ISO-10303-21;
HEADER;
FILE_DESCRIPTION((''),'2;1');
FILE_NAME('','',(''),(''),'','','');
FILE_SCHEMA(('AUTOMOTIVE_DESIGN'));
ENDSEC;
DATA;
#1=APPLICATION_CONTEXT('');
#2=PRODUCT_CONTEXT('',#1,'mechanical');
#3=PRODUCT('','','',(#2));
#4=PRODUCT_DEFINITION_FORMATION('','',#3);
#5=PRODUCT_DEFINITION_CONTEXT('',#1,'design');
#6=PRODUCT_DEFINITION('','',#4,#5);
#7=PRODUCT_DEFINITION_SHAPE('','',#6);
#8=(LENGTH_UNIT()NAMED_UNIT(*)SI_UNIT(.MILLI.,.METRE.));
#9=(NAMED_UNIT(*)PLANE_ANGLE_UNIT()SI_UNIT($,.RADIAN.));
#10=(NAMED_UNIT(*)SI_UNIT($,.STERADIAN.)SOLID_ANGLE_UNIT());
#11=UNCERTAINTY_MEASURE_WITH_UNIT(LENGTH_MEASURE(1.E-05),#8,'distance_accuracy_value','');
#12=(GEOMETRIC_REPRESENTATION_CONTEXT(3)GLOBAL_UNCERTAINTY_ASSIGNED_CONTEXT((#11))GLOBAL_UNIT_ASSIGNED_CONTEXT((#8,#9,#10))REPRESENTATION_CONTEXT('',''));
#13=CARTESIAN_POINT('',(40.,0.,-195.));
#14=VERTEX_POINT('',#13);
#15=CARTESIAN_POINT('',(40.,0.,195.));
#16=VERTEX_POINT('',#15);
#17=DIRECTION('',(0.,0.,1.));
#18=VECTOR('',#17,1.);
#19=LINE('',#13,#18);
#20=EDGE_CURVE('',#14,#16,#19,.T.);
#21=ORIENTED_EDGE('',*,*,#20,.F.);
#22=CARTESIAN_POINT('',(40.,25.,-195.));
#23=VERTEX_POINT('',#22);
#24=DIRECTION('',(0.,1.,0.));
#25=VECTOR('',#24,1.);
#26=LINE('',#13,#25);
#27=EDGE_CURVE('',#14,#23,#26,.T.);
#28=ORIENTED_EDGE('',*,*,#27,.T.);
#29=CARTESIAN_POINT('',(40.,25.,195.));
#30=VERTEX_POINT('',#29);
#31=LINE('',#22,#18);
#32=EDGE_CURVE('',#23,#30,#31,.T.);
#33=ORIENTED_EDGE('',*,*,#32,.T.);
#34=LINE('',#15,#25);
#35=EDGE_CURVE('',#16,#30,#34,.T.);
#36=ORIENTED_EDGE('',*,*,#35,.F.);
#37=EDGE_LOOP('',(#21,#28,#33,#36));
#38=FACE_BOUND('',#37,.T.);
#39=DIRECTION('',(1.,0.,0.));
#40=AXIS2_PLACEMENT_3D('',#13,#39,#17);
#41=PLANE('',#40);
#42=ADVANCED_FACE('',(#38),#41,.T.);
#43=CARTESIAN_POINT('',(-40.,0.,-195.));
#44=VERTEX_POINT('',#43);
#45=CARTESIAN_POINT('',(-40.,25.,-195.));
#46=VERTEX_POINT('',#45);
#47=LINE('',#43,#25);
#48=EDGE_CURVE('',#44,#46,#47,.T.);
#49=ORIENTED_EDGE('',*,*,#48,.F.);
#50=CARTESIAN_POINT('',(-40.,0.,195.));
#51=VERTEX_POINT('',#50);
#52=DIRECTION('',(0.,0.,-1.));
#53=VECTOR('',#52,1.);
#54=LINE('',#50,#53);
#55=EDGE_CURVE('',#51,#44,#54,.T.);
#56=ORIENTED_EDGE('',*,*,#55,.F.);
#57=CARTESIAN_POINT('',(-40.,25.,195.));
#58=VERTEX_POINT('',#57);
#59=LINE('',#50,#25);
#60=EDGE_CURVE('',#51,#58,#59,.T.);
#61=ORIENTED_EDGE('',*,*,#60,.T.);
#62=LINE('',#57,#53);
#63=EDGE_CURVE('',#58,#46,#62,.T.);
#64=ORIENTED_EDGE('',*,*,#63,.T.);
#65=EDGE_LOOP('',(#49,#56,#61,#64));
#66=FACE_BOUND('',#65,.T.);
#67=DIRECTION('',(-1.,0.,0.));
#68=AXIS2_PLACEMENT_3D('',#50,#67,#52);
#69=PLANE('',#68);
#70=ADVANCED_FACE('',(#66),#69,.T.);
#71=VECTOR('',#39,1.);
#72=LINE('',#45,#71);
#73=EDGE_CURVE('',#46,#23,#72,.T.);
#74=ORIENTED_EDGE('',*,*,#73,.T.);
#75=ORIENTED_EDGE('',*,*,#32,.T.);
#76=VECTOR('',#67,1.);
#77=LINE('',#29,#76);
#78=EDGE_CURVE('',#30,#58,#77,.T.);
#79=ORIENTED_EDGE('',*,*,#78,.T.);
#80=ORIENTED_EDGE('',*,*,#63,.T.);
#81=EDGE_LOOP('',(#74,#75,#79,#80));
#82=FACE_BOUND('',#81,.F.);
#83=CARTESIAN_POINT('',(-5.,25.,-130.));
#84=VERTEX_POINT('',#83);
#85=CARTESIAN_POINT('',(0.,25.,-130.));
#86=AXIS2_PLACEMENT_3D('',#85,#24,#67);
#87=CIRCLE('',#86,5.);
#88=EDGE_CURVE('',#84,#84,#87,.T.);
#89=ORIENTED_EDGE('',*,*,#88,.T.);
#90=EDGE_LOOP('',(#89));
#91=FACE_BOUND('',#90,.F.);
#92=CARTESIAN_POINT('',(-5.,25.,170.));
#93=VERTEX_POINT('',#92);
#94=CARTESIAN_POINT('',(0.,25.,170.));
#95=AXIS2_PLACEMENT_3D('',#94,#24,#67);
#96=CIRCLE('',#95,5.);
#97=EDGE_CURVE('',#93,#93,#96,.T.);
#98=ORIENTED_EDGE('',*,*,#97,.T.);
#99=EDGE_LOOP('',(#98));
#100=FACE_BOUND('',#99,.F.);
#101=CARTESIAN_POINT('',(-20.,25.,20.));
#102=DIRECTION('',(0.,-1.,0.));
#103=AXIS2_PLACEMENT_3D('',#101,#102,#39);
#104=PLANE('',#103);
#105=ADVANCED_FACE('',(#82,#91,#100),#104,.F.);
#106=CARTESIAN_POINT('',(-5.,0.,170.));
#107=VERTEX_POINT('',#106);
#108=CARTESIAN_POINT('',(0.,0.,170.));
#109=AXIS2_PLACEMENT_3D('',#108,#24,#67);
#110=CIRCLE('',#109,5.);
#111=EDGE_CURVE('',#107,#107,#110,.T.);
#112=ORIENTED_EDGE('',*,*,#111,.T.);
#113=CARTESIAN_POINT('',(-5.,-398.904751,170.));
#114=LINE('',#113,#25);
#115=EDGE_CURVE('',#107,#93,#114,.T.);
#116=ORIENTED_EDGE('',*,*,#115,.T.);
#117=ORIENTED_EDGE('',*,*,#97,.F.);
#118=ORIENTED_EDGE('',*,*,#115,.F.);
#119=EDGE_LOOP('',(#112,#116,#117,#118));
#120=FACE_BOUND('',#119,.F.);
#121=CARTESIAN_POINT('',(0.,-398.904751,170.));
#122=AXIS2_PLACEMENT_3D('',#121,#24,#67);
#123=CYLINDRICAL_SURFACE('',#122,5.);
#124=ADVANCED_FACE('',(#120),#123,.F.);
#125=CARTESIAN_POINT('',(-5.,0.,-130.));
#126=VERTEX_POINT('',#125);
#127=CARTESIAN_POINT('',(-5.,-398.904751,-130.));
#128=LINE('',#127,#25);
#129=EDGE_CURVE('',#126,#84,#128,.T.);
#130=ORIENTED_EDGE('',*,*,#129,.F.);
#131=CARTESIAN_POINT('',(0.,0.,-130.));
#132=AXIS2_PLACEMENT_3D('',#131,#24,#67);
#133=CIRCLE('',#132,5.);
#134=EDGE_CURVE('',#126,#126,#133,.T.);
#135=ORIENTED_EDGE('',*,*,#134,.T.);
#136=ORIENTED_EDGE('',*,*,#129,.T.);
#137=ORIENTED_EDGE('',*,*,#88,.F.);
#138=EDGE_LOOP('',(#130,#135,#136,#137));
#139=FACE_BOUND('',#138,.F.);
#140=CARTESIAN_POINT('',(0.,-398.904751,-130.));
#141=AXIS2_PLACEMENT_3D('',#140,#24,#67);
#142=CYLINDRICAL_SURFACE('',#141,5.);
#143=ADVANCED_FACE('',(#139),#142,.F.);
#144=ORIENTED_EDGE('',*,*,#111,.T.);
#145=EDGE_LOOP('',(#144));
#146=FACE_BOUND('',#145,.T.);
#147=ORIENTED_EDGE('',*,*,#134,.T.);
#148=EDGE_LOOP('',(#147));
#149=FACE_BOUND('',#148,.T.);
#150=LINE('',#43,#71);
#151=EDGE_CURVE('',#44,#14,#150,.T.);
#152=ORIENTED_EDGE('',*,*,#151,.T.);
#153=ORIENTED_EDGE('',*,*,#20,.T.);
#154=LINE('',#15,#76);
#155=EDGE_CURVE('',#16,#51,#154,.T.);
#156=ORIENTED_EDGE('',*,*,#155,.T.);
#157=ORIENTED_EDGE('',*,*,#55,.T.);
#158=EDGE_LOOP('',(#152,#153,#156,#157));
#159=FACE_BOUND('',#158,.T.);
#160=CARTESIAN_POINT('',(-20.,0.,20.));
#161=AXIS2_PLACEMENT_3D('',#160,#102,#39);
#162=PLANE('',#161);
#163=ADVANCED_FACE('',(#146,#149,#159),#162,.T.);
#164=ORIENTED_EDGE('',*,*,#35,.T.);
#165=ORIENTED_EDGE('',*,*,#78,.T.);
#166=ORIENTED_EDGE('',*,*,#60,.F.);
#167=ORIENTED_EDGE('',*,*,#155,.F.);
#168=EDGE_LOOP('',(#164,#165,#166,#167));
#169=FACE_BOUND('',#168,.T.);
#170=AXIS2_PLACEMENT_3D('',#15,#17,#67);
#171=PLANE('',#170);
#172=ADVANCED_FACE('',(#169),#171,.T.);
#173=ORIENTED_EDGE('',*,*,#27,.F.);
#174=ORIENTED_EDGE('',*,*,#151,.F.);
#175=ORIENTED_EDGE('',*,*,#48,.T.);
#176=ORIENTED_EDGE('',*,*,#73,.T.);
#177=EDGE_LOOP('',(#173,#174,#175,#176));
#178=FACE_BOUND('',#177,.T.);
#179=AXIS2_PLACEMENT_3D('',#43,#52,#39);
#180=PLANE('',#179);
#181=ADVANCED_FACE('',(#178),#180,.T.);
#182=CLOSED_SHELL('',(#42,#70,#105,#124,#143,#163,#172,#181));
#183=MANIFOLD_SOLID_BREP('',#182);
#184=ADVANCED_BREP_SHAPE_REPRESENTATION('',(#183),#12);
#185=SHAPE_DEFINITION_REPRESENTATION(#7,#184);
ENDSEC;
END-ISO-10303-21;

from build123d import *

# Parameters (mm, degrees)
F0_W     = 40
F0_H     = 300
F0_H_2   = 25
F0_H_3   = 65
F1_DEPTH = 25
F2_D     = 10


with BuildPart() as f1:
    # F0 (on Front) → F1 (new body)
    with BuildSketch(Plane.XZ):
        with Locations((-20, 20)):
            Rectangle(F0_W, F0_H)
        with Locations((20, 20)):
            Rectangle(F0_W, F0_H)
        with Locations((20, 182.5)):
            Rectangle(F0_W, F0_H_2)
        with Locations((-20, 182.5)):
            Rectangle(F0_W, F0_H_2)
        with Locations((20, -162.5)):
            Rectangle(F0_W, F0_H_3)
        with Locations((-20, -162.5)):
            Rectangle(F0_W, F0_H_3)
    extrude(amount=-F1_DEPTH)

    # F2 (through all)
    with Locations(Plane.XZ):
        with Locations((0, 170), (0, -130)):
            Hole(F2_D / 2)


solid = f1.part
